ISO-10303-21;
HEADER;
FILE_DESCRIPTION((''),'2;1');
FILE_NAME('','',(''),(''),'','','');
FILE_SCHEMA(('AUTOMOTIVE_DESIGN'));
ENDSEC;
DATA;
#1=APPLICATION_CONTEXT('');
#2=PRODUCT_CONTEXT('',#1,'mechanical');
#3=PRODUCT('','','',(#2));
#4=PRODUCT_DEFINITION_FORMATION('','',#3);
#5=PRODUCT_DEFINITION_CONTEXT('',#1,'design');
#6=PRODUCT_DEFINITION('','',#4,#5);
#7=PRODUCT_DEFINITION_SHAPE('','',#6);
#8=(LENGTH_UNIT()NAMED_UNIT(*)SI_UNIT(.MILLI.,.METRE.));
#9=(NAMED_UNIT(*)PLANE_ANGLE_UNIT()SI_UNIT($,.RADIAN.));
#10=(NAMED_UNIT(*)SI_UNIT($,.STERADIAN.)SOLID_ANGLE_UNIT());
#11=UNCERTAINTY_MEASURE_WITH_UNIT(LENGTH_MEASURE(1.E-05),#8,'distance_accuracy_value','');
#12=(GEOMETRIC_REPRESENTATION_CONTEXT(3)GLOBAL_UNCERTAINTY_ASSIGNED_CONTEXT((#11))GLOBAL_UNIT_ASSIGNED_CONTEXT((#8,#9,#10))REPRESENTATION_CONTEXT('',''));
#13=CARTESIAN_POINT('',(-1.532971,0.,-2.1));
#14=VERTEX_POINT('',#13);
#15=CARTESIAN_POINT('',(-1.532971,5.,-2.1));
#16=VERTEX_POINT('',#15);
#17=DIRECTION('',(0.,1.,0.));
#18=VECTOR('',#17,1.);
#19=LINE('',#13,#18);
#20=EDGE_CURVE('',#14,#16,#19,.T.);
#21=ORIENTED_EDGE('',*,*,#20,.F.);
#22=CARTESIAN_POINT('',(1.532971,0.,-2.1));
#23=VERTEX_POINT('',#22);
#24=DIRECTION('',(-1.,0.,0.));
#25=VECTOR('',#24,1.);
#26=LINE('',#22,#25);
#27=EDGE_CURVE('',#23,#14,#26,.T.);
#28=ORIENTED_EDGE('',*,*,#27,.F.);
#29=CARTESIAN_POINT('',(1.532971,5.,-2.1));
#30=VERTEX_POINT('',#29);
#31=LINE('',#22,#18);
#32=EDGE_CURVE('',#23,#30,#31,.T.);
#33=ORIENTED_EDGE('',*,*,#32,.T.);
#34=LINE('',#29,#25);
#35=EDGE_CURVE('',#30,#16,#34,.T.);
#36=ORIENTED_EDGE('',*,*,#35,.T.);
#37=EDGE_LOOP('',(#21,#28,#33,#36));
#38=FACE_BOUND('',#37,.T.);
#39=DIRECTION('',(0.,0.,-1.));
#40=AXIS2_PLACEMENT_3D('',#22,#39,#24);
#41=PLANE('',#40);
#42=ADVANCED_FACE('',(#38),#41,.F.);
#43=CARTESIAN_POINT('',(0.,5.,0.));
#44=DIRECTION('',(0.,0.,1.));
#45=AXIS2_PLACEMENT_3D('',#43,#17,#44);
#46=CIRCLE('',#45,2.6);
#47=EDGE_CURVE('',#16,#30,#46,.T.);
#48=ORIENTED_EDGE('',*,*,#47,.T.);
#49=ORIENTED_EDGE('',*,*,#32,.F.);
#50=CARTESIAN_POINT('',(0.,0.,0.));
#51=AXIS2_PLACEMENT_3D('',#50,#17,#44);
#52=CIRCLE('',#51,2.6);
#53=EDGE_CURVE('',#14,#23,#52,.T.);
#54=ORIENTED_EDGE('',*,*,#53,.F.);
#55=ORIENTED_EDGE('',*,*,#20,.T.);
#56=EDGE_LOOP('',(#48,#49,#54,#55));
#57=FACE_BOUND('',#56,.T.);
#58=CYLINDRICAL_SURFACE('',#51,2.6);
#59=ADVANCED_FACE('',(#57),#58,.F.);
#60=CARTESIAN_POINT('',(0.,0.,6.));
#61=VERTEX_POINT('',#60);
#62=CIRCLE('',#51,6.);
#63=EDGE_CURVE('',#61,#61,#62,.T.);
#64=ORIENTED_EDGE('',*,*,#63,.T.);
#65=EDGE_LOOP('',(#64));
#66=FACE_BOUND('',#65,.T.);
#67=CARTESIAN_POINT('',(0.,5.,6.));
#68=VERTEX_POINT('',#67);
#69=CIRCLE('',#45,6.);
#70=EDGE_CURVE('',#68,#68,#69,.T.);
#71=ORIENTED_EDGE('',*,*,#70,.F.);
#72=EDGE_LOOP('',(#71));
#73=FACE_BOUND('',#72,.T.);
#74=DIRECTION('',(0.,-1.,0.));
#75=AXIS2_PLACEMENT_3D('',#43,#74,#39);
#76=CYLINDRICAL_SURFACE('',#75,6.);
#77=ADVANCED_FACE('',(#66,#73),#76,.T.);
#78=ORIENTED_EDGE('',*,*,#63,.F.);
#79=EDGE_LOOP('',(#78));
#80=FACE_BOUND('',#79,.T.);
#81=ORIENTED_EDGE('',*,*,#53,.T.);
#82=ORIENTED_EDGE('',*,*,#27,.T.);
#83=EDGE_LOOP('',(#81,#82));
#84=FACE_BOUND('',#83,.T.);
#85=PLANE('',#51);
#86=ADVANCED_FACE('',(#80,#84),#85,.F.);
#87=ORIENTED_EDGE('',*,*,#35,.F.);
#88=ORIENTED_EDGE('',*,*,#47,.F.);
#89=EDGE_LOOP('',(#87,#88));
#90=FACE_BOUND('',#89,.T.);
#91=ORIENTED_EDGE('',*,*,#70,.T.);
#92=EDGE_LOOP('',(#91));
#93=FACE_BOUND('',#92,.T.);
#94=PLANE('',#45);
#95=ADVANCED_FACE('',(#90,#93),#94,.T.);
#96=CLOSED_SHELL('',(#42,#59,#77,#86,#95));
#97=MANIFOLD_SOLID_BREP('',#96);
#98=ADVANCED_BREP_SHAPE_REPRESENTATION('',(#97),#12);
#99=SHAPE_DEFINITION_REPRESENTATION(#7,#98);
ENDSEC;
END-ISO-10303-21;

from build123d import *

# Parameters (mm, degrees)
SKETCH1_R           = 6
BOSS_EXTRUDE1_DEPTH = 5
BOSS_EXTRUDE2_START = -5
BOSS_EXTRUDE2_DEPTH = 5
CUT_EXTRUDE1_DEPTH  = 5


with BuildPart() as part:
    # Sketch1 → Boss-Extrude1 (new body)
    with BuildSketch(Plane(origin=(0, 0, 0), x_dir=(1, 0, 0), z_dir=(0, 1, 0))):
        with Locations(Location((0, 0, 0), (0, 0, 270))):
            Circle(SKETCH1_R)
        with BuildLine():
            ThreePointArc((-1.549193338, 2.15), (0, -2.65), (1.549193338, 2.15))
            Line((1.549193338, 2.15), (-1.549193338, 2.15))
        make_face(mode=Mode.SUBTRACT)
    extrude(amount=BOSS_EXTRUDE1_DEPTH)

    # Sketch2 → Boss-Extrude2 (add)
    with BuildSketch(Plane(origin=(0, 5, 0), x_dir=(1, 0, 0), z_dir=(0, 1, 0)).offset(BOSS_EXTRUDE2_START)):
        with BuildLine():
            Line((1.549193338, 2.15), (-1.549193338, 2.15))
            ThreePointArc((-1.549193338, 2.15), (0, -2.65), (1.549193338, 2.15))
        make_face()
        with BuildLine():
            Line((1.526433752, 2.08), (-1.526433752, 2.08))
            ThreePointArc((-1.526433752, 2.08), (0, -2.58), (1.526433752, 2.08))
        make_face(mode=Mode.SUBTRACT)
    extrude(amount=BOSS_EXTRUDE2_DEPTH)

    # Sketch3 → Cut-Extrude1 (cut)
    with BuildSketch(Plane(origin=(0, 5, 0), x_dir=(1, 0, 0), z_dir=(0, 1, 0))):
        with BuildLine():
            Line((1.532970972, 2.1), (-1.532970972, 2.1))
            ThreePointArc((-1.532970972, 2.1), (0, -2.6), (1.532970972, 2.1))
        make_face()
    extrude(amount=-CUT_EXTRUDE1_DEPTH, mode=Mode.SUBTRACT)


solid = part.part
